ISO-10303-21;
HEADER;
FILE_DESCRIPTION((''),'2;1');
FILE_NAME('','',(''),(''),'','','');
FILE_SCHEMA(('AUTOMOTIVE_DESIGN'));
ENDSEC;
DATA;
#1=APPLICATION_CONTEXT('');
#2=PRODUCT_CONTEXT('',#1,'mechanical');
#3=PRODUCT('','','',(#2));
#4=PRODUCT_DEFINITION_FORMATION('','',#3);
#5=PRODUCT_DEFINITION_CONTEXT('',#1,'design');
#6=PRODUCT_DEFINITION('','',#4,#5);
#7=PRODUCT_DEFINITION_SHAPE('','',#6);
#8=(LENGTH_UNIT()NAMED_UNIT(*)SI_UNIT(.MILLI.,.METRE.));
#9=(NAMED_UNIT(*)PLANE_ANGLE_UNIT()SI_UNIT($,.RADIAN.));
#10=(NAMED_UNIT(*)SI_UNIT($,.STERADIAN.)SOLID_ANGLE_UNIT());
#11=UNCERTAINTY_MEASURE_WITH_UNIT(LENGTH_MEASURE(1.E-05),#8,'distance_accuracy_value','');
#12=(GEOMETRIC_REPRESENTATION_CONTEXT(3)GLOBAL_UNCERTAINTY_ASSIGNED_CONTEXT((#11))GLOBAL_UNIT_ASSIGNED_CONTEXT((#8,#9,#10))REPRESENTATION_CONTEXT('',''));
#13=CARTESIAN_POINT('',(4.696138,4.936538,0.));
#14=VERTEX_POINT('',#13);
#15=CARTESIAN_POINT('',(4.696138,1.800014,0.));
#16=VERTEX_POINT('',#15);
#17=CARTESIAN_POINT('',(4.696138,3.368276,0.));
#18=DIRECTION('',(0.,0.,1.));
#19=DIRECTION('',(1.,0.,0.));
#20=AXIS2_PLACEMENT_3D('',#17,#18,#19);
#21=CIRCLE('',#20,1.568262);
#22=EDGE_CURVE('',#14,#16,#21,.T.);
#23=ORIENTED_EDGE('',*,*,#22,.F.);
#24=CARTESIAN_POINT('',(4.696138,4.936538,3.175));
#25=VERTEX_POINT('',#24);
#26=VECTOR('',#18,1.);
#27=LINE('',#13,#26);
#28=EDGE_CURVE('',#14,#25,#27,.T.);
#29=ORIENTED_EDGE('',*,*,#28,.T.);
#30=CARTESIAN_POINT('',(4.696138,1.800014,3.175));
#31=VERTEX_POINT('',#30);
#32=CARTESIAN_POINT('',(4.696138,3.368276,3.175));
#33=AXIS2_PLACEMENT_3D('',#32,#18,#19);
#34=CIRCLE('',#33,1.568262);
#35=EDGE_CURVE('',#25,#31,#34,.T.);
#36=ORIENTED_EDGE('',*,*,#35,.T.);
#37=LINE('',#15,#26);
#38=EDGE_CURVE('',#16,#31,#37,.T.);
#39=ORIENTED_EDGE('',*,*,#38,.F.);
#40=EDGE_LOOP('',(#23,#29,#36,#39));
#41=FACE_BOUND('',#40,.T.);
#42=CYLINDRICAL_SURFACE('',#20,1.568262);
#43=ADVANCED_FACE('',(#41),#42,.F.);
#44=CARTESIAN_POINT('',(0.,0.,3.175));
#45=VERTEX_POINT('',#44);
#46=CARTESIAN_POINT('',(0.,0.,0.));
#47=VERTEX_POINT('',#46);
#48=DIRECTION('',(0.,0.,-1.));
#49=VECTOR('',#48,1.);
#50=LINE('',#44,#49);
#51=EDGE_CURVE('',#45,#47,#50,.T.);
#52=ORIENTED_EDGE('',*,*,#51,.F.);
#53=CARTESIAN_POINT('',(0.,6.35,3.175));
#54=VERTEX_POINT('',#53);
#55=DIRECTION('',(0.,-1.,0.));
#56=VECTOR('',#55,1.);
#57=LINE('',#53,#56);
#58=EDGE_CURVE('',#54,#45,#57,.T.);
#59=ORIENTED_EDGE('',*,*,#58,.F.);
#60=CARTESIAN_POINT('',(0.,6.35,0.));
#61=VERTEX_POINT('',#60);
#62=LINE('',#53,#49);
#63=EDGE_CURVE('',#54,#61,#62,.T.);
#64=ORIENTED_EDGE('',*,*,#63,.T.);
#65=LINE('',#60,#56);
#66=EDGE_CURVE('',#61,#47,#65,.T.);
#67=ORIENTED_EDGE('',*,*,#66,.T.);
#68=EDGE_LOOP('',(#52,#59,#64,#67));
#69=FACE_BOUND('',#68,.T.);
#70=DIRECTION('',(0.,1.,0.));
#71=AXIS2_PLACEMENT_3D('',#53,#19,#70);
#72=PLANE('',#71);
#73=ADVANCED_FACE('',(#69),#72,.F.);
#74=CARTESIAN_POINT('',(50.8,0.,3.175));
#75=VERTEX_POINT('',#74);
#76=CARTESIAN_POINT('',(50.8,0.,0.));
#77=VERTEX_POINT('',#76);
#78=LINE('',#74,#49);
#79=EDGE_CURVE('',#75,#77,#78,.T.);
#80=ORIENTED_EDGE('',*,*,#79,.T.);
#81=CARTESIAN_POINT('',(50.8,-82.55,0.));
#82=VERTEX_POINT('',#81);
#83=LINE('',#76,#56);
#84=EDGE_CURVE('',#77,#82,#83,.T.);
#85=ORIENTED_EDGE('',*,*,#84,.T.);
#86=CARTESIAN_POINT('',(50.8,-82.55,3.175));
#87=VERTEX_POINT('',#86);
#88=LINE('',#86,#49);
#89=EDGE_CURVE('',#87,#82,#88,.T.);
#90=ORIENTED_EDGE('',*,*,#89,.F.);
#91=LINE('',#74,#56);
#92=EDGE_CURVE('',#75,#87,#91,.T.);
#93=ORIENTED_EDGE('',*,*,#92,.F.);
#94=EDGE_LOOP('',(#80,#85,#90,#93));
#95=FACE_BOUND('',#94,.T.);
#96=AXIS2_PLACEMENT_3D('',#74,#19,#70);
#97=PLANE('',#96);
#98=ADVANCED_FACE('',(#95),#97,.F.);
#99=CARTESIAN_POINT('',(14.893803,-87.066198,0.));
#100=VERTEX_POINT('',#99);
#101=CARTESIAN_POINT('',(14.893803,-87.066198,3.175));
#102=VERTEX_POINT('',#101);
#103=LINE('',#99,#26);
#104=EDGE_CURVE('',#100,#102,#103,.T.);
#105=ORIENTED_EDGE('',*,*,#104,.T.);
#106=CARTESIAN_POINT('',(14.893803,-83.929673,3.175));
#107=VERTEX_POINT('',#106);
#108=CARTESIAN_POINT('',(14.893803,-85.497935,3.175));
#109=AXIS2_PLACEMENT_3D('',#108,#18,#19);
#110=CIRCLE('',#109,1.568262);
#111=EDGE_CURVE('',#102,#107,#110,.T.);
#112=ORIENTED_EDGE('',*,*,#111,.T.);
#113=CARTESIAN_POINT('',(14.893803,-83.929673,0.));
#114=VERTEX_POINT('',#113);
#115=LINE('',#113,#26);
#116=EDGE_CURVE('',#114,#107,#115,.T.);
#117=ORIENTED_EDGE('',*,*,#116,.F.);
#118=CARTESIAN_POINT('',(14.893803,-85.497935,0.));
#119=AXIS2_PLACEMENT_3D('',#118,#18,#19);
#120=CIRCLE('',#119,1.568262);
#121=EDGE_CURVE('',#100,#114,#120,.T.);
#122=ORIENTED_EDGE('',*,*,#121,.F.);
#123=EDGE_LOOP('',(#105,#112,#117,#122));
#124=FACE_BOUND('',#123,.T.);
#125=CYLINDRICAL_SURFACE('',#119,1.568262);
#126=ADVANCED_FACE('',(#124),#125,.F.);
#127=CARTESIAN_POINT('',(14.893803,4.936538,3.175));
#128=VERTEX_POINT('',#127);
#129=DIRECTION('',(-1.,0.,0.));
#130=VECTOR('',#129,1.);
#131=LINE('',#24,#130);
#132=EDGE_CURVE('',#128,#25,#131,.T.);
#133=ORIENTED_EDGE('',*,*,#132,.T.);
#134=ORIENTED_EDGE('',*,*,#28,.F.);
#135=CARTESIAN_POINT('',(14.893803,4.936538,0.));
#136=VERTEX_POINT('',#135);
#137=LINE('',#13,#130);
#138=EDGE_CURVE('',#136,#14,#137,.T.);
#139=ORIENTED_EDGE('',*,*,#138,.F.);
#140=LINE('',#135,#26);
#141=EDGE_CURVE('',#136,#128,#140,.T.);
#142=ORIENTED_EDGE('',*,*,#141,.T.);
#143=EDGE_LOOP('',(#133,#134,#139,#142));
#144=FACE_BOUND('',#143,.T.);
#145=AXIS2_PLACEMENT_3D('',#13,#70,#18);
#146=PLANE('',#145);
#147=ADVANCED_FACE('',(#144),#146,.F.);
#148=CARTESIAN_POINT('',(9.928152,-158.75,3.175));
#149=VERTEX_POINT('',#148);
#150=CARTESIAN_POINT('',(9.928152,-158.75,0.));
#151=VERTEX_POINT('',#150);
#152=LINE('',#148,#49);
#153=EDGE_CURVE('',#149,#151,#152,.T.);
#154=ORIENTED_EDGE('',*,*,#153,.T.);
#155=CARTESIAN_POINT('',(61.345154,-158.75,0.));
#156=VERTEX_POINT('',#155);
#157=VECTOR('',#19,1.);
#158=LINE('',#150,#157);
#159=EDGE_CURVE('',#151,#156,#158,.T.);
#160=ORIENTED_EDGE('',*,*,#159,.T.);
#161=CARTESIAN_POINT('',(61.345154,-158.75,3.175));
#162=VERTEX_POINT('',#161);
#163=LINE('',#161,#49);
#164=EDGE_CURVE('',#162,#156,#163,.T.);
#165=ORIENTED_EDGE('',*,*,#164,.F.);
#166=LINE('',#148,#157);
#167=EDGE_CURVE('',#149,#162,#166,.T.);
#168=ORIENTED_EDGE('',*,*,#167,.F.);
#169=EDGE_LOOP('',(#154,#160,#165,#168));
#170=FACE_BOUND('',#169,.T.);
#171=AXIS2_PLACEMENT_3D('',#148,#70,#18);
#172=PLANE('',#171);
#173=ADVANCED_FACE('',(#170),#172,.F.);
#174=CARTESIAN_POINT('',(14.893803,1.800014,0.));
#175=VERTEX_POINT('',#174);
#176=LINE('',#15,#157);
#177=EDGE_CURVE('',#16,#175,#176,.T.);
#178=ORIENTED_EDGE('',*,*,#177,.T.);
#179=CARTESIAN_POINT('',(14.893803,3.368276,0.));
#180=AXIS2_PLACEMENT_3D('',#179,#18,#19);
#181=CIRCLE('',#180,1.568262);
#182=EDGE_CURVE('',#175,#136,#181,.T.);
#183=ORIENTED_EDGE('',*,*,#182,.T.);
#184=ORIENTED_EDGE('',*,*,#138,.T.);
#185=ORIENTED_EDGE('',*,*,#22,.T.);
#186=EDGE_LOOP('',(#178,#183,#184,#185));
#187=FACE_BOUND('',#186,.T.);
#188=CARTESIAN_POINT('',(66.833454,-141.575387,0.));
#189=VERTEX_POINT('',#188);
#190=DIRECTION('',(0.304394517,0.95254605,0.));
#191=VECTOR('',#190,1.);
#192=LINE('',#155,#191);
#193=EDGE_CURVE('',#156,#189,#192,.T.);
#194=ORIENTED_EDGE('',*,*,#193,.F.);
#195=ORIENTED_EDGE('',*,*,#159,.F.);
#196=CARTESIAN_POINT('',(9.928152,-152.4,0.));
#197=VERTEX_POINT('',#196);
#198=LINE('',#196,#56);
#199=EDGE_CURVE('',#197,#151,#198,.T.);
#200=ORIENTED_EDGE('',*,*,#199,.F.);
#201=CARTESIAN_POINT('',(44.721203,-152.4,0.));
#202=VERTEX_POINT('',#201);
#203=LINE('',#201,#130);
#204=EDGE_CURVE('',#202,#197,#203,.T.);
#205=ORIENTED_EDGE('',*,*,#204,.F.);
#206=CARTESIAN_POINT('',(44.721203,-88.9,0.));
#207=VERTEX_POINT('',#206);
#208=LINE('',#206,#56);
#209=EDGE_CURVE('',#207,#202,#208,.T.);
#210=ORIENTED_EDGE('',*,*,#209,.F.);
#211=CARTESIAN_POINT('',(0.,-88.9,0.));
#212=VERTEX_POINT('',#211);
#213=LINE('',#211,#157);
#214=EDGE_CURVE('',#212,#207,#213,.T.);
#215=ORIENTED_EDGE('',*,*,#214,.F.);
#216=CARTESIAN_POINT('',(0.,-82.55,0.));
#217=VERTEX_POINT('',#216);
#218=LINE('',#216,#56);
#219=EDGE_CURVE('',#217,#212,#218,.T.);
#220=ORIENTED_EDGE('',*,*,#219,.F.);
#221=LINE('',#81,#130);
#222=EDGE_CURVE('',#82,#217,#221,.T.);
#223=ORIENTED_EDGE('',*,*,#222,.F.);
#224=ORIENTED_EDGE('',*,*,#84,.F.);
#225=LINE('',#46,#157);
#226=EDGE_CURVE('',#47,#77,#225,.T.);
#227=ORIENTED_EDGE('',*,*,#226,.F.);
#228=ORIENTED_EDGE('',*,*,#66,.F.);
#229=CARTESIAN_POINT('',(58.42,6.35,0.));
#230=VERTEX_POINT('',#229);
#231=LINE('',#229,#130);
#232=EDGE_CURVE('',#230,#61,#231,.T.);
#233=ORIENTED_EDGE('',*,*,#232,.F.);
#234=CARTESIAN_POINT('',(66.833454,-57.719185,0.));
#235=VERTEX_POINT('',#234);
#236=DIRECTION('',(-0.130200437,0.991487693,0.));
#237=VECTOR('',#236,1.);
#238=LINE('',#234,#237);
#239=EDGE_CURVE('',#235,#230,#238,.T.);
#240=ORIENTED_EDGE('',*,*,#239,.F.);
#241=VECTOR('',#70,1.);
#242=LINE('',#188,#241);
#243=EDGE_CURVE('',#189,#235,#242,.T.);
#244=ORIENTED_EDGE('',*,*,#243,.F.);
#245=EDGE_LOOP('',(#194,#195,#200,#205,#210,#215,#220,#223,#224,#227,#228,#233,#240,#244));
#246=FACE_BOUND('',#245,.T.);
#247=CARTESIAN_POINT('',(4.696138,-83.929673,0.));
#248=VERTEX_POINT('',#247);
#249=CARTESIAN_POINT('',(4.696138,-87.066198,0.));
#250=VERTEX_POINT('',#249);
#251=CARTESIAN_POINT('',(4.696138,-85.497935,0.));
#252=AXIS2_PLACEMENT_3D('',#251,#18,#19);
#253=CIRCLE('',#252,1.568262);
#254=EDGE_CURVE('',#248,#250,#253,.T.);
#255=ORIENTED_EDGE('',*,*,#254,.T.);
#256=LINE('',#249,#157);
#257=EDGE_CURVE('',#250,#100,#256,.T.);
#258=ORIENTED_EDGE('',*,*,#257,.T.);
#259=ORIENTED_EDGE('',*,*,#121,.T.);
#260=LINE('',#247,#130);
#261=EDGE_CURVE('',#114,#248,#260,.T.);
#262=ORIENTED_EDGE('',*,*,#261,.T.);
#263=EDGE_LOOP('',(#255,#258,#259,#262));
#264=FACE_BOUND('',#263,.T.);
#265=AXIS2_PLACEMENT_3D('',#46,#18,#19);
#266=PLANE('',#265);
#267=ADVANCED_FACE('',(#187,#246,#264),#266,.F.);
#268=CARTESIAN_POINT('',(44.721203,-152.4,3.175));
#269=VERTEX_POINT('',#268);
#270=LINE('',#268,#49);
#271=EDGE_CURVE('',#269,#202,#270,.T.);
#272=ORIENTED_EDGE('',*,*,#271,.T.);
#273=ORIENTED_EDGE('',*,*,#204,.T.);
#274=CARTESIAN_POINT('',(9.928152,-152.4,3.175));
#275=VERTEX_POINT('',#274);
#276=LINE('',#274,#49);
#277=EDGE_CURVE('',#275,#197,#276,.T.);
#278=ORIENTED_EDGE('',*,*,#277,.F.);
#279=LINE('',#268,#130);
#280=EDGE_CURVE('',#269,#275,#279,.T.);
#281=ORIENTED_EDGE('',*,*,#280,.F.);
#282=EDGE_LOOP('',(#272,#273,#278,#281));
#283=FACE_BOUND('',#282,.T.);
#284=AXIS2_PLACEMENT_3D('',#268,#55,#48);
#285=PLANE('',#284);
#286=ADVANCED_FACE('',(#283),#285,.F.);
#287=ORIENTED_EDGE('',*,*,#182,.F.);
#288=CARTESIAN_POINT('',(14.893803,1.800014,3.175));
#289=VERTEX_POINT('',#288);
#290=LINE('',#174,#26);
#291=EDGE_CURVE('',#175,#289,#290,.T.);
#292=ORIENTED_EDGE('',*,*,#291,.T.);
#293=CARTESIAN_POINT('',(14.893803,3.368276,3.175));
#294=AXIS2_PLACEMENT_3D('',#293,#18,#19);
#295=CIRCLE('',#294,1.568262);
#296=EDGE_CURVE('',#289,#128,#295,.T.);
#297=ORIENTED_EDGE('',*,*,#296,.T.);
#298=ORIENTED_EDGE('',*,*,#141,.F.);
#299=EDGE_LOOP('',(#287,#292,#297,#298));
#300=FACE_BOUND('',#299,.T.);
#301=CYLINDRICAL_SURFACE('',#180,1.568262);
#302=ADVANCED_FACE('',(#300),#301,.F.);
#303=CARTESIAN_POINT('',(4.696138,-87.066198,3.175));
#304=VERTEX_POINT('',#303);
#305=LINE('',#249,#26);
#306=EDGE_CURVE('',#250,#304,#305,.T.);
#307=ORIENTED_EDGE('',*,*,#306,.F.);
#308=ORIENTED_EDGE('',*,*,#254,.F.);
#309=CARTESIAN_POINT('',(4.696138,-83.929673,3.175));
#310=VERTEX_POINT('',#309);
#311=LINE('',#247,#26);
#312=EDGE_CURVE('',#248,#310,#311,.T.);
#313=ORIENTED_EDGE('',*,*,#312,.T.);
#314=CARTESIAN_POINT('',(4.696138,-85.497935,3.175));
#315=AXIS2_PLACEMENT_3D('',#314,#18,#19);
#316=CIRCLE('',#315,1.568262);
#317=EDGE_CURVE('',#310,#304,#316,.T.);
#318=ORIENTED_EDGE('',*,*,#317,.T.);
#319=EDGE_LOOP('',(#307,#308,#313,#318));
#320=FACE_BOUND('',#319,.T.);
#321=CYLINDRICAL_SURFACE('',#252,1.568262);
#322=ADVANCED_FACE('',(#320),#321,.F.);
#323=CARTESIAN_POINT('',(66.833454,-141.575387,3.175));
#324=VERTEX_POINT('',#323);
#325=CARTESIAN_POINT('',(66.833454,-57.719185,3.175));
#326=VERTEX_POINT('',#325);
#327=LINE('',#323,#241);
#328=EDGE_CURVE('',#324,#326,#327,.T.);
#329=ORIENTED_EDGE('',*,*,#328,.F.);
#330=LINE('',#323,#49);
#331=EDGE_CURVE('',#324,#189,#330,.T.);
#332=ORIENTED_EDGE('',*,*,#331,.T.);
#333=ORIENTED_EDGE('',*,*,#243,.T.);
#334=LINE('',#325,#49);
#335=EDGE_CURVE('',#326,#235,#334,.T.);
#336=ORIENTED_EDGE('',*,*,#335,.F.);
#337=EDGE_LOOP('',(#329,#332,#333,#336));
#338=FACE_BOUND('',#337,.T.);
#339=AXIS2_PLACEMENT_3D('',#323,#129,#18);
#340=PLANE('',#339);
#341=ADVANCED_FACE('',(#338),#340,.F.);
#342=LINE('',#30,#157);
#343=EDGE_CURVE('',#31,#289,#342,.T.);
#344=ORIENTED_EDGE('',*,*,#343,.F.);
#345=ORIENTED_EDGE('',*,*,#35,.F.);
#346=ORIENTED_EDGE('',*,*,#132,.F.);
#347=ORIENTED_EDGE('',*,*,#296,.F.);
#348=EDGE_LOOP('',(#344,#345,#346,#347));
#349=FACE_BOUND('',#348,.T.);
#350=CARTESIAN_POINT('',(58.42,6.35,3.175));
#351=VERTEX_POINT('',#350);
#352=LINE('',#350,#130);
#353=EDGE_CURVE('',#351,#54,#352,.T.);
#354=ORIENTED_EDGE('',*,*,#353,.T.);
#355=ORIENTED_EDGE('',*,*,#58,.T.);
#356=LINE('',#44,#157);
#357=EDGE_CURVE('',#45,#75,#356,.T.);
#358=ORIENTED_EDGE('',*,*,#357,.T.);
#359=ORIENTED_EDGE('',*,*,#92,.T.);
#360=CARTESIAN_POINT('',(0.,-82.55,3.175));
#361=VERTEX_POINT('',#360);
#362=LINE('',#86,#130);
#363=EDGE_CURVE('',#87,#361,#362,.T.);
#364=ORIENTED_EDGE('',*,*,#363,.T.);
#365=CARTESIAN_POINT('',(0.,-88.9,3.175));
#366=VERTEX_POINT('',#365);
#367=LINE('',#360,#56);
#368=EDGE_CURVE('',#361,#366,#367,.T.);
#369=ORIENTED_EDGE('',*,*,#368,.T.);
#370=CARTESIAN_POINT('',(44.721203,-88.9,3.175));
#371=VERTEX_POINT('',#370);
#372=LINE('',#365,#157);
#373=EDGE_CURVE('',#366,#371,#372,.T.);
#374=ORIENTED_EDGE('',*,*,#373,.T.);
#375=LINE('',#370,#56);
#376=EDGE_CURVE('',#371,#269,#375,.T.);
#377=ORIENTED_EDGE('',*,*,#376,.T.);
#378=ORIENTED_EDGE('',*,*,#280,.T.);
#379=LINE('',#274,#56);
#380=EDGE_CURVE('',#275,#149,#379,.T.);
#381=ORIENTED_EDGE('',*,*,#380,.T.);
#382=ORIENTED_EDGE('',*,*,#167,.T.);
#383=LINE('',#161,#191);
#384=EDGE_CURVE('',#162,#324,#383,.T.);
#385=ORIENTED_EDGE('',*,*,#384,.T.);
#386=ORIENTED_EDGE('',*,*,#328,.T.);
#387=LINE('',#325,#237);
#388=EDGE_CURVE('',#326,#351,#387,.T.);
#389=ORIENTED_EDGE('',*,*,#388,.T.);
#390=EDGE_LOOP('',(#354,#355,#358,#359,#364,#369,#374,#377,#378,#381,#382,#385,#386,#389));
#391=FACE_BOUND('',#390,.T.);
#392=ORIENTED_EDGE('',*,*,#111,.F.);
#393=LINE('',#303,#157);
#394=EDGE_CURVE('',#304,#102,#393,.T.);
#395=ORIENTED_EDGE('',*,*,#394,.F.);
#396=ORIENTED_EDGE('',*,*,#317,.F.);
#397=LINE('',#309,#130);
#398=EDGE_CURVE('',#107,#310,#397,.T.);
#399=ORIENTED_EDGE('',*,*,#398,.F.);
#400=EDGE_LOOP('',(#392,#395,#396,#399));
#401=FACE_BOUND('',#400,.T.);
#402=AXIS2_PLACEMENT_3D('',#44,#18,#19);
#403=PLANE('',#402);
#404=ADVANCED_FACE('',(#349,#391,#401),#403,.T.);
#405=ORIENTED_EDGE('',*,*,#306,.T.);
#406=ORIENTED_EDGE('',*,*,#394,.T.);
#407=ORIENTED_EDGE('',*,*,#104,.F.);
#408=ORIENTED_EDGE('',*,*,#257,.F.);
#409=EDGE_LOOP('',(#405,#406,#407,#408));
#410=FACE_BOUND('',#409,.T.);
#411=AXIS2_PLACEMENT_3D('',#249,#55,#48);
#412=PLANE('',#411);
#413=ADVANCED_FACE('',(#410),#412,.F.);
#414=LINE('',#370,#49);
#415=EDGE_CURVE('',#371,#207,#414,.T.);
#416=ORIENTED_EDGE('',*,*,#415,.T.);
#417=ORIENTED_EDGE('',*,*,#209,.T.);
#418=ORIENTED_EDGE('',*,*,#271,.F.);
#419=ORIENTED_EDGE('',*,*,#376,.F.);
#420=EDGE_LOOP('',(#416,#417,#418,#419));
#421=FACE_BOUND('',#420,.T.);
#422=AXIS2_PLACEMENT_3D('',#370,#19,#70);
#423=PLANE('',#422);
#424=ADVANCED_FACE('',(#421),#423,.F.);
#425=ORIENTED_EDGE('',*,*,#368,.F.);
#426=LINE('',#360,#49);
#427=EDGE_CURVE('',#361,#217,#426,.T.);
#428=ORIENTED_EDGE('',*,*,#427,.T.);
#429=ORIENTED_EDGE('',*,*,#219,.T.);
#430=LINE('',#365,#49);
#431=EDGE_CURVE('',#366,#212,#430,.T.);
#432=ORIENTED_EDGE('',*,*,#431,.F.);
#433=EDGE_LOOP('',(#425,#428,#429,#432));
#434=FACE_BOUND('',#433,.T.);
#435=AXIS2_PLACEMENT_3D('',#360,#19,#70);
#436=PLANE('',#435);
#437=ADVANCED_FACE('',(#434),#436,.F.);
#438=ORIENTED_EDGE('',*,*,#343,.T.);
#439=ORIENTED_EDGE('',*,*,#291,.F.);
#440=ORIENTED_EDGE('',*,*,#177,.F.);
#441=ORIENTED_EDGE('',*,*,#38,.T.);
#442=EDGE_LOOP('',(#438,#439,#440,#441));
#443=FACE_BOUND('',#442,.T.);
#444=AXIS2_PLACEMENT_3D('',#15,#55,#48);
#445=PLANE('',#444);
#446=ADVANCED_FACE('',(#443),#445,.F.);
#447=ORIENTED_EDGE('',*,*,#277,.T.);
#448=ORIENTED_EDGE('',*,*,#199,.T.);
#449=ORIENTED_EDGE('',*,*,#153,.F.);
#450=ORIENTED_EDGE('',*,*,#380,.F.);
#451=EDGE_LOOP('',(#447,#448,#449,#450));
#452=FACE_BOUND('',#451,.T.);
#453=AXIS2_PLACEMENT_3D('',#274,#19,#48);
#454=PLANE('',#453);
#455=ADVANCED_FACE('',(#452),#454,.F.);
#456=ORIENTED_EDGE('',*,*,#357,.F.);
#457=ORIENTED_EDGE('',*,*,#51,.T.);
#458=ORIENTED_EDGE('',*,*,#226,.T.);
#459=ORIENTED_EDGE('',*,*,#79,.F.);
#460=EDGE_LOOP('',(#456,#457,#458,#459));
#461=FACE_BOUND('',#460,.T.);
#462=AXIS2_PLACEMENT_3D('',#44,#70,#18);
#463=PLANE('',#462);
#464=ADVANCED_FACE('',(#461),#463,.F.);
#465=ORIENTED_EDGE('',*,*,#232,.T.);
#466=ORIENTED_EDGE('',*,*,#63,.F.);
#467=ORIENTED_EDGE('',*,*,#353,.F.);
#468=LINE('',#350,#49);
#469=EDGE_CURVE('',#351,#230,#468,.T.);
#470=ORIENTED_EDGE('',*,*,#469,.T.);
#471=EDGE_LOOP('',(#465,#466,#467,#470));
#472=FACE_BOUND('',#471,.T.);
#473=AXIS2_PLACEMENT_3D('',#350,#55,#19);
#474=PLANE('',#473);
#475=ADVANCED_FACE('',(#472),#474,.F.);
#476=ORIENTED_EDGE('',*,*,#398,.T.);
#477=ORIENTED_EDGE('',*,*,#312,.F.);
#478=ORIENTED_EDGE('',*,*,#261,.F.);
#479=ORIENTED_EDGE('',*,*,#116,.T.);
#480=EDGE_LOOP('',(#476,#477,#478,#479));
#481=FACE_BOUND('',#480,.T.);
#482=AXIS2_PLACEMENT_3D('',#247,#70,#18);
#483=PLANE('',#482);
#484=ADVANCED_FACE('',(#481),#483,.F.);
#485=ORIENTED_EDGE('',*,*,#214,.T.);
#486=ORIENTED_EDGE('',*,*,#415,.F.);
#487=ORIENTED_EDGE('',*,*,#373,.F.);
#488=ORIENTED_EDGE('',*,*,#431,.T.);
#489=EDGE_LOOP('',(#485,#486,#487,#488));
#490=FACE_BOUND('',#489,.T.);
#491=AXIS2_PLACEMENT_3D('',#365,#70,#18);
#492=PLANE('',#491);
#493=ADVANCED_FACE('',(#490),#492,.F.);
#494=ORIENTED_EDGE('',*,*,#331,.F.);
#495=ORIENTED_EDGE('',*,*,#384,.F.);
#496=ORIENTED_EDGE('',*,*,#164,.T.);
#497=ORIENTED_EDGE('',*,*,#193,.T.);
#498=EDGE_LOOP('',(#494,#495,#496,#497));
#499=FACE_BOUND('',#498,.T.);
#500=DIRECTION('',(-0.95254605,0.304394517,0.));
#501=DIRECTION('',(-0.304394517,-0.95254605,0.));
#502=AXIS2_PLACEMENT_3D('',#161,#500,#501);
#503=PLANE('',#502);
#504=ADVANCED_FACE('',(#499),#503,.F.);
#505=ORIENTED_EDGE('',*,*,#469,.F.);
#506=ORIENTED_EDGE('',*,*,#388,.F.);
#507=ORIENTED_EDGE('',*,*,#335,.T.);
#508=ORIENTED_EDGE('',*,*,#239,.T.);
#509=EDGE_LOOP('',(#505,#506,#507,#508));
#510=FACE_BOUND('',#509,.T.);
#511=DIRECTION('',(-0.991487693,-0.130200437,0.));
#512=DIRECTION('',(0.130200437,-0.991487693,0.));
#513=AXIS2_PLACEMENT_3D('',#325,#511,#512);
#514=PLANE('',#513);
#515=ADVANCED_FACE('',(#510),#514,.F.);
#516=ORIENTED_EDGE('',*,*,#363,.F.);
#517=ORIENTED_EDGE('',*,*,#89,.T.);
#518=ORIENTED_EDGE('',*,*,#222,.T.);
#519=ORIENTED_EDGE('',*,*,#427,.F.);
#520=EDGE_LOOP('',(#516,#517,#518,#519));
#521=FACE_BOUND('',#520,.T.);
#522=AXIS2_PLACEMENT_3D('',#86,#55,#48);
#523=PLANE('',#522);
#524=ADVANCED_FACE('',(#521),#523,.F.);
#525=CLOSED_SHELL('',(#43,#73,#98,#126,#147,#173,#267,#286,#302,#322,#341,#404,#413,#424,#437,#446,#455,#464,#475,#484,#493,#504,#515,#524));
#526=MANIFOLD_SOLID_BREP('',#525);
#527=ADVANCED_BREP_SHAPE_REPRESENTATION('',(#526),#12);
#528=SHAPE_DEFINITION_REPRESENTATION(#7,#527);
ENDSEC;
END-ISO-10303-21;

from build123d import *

# Parameters (mm, degrees)
BOSS_EXTRUDE1_DEPTH = 3.175
CUT_EXTRUDE1_DEPTH  = 4.175


with BuildPart() as part:
    # Sketch1 → Boss-Extrude1 (new body)
    with BuildSketch(Plane.XY):
        Polygon((0, 0), (50.8, 0), (50.8, -82.55), (0, -82.55), (0, -88.9), (44.721203233, -88.9), (44.721203233, -152.4), (9.928151849, -152.4), (9.928151849, -158.75), (61.345154174, -158.75), (66.833453826, -141.575386567), (66.833453826, -57.719185396), (58.42, 6.35), (0, 6.35), align=None)
    extrude(amount=BOSS_EXTRUDE1_DEPTH)

    # Sketch2 → Cut-Extrude1 (cut, through all)
    with BuildSketch(Plane.XY.offset(3.175)):
        with BuildLine():
            Line((4.696138357, 4.936538246), (14.893802938, 4.936538246))
            ThreePointArc((14.893802938, 4.936538246), (16.462065142, 3.368276042), (14.893802938, 1.800013839))
            Line((14.893802938, 1.800013839), (4.696138357, 1.800013839))
            ThreePointArc((4.696138357, 1.800013839), (3.127876153, 3.368276042), (4.696138357, 4.936538246))
        make_face()
        with BuildLine():
            Line((4.696138357, -83.929673164), (14.893802938, -83.929673164))
            ThreePointArc((14.893802938, -83.929673164), (16.462065142, -85.497935368), (14.893802938, -87.066197572))
            Line((14.893802938, -87.066197572), (4.696138357, -87.066197572))
            ThreePointArc((4.696138357, -87.066197572), (3.127876153, -85.497935368), (4.696138357, -83.929673164))
        make_face()
    extrude(amount=-CUT_EXTRUDE1_DEPTH, mode=Mode.SUBTRACT)


solid = part.part
